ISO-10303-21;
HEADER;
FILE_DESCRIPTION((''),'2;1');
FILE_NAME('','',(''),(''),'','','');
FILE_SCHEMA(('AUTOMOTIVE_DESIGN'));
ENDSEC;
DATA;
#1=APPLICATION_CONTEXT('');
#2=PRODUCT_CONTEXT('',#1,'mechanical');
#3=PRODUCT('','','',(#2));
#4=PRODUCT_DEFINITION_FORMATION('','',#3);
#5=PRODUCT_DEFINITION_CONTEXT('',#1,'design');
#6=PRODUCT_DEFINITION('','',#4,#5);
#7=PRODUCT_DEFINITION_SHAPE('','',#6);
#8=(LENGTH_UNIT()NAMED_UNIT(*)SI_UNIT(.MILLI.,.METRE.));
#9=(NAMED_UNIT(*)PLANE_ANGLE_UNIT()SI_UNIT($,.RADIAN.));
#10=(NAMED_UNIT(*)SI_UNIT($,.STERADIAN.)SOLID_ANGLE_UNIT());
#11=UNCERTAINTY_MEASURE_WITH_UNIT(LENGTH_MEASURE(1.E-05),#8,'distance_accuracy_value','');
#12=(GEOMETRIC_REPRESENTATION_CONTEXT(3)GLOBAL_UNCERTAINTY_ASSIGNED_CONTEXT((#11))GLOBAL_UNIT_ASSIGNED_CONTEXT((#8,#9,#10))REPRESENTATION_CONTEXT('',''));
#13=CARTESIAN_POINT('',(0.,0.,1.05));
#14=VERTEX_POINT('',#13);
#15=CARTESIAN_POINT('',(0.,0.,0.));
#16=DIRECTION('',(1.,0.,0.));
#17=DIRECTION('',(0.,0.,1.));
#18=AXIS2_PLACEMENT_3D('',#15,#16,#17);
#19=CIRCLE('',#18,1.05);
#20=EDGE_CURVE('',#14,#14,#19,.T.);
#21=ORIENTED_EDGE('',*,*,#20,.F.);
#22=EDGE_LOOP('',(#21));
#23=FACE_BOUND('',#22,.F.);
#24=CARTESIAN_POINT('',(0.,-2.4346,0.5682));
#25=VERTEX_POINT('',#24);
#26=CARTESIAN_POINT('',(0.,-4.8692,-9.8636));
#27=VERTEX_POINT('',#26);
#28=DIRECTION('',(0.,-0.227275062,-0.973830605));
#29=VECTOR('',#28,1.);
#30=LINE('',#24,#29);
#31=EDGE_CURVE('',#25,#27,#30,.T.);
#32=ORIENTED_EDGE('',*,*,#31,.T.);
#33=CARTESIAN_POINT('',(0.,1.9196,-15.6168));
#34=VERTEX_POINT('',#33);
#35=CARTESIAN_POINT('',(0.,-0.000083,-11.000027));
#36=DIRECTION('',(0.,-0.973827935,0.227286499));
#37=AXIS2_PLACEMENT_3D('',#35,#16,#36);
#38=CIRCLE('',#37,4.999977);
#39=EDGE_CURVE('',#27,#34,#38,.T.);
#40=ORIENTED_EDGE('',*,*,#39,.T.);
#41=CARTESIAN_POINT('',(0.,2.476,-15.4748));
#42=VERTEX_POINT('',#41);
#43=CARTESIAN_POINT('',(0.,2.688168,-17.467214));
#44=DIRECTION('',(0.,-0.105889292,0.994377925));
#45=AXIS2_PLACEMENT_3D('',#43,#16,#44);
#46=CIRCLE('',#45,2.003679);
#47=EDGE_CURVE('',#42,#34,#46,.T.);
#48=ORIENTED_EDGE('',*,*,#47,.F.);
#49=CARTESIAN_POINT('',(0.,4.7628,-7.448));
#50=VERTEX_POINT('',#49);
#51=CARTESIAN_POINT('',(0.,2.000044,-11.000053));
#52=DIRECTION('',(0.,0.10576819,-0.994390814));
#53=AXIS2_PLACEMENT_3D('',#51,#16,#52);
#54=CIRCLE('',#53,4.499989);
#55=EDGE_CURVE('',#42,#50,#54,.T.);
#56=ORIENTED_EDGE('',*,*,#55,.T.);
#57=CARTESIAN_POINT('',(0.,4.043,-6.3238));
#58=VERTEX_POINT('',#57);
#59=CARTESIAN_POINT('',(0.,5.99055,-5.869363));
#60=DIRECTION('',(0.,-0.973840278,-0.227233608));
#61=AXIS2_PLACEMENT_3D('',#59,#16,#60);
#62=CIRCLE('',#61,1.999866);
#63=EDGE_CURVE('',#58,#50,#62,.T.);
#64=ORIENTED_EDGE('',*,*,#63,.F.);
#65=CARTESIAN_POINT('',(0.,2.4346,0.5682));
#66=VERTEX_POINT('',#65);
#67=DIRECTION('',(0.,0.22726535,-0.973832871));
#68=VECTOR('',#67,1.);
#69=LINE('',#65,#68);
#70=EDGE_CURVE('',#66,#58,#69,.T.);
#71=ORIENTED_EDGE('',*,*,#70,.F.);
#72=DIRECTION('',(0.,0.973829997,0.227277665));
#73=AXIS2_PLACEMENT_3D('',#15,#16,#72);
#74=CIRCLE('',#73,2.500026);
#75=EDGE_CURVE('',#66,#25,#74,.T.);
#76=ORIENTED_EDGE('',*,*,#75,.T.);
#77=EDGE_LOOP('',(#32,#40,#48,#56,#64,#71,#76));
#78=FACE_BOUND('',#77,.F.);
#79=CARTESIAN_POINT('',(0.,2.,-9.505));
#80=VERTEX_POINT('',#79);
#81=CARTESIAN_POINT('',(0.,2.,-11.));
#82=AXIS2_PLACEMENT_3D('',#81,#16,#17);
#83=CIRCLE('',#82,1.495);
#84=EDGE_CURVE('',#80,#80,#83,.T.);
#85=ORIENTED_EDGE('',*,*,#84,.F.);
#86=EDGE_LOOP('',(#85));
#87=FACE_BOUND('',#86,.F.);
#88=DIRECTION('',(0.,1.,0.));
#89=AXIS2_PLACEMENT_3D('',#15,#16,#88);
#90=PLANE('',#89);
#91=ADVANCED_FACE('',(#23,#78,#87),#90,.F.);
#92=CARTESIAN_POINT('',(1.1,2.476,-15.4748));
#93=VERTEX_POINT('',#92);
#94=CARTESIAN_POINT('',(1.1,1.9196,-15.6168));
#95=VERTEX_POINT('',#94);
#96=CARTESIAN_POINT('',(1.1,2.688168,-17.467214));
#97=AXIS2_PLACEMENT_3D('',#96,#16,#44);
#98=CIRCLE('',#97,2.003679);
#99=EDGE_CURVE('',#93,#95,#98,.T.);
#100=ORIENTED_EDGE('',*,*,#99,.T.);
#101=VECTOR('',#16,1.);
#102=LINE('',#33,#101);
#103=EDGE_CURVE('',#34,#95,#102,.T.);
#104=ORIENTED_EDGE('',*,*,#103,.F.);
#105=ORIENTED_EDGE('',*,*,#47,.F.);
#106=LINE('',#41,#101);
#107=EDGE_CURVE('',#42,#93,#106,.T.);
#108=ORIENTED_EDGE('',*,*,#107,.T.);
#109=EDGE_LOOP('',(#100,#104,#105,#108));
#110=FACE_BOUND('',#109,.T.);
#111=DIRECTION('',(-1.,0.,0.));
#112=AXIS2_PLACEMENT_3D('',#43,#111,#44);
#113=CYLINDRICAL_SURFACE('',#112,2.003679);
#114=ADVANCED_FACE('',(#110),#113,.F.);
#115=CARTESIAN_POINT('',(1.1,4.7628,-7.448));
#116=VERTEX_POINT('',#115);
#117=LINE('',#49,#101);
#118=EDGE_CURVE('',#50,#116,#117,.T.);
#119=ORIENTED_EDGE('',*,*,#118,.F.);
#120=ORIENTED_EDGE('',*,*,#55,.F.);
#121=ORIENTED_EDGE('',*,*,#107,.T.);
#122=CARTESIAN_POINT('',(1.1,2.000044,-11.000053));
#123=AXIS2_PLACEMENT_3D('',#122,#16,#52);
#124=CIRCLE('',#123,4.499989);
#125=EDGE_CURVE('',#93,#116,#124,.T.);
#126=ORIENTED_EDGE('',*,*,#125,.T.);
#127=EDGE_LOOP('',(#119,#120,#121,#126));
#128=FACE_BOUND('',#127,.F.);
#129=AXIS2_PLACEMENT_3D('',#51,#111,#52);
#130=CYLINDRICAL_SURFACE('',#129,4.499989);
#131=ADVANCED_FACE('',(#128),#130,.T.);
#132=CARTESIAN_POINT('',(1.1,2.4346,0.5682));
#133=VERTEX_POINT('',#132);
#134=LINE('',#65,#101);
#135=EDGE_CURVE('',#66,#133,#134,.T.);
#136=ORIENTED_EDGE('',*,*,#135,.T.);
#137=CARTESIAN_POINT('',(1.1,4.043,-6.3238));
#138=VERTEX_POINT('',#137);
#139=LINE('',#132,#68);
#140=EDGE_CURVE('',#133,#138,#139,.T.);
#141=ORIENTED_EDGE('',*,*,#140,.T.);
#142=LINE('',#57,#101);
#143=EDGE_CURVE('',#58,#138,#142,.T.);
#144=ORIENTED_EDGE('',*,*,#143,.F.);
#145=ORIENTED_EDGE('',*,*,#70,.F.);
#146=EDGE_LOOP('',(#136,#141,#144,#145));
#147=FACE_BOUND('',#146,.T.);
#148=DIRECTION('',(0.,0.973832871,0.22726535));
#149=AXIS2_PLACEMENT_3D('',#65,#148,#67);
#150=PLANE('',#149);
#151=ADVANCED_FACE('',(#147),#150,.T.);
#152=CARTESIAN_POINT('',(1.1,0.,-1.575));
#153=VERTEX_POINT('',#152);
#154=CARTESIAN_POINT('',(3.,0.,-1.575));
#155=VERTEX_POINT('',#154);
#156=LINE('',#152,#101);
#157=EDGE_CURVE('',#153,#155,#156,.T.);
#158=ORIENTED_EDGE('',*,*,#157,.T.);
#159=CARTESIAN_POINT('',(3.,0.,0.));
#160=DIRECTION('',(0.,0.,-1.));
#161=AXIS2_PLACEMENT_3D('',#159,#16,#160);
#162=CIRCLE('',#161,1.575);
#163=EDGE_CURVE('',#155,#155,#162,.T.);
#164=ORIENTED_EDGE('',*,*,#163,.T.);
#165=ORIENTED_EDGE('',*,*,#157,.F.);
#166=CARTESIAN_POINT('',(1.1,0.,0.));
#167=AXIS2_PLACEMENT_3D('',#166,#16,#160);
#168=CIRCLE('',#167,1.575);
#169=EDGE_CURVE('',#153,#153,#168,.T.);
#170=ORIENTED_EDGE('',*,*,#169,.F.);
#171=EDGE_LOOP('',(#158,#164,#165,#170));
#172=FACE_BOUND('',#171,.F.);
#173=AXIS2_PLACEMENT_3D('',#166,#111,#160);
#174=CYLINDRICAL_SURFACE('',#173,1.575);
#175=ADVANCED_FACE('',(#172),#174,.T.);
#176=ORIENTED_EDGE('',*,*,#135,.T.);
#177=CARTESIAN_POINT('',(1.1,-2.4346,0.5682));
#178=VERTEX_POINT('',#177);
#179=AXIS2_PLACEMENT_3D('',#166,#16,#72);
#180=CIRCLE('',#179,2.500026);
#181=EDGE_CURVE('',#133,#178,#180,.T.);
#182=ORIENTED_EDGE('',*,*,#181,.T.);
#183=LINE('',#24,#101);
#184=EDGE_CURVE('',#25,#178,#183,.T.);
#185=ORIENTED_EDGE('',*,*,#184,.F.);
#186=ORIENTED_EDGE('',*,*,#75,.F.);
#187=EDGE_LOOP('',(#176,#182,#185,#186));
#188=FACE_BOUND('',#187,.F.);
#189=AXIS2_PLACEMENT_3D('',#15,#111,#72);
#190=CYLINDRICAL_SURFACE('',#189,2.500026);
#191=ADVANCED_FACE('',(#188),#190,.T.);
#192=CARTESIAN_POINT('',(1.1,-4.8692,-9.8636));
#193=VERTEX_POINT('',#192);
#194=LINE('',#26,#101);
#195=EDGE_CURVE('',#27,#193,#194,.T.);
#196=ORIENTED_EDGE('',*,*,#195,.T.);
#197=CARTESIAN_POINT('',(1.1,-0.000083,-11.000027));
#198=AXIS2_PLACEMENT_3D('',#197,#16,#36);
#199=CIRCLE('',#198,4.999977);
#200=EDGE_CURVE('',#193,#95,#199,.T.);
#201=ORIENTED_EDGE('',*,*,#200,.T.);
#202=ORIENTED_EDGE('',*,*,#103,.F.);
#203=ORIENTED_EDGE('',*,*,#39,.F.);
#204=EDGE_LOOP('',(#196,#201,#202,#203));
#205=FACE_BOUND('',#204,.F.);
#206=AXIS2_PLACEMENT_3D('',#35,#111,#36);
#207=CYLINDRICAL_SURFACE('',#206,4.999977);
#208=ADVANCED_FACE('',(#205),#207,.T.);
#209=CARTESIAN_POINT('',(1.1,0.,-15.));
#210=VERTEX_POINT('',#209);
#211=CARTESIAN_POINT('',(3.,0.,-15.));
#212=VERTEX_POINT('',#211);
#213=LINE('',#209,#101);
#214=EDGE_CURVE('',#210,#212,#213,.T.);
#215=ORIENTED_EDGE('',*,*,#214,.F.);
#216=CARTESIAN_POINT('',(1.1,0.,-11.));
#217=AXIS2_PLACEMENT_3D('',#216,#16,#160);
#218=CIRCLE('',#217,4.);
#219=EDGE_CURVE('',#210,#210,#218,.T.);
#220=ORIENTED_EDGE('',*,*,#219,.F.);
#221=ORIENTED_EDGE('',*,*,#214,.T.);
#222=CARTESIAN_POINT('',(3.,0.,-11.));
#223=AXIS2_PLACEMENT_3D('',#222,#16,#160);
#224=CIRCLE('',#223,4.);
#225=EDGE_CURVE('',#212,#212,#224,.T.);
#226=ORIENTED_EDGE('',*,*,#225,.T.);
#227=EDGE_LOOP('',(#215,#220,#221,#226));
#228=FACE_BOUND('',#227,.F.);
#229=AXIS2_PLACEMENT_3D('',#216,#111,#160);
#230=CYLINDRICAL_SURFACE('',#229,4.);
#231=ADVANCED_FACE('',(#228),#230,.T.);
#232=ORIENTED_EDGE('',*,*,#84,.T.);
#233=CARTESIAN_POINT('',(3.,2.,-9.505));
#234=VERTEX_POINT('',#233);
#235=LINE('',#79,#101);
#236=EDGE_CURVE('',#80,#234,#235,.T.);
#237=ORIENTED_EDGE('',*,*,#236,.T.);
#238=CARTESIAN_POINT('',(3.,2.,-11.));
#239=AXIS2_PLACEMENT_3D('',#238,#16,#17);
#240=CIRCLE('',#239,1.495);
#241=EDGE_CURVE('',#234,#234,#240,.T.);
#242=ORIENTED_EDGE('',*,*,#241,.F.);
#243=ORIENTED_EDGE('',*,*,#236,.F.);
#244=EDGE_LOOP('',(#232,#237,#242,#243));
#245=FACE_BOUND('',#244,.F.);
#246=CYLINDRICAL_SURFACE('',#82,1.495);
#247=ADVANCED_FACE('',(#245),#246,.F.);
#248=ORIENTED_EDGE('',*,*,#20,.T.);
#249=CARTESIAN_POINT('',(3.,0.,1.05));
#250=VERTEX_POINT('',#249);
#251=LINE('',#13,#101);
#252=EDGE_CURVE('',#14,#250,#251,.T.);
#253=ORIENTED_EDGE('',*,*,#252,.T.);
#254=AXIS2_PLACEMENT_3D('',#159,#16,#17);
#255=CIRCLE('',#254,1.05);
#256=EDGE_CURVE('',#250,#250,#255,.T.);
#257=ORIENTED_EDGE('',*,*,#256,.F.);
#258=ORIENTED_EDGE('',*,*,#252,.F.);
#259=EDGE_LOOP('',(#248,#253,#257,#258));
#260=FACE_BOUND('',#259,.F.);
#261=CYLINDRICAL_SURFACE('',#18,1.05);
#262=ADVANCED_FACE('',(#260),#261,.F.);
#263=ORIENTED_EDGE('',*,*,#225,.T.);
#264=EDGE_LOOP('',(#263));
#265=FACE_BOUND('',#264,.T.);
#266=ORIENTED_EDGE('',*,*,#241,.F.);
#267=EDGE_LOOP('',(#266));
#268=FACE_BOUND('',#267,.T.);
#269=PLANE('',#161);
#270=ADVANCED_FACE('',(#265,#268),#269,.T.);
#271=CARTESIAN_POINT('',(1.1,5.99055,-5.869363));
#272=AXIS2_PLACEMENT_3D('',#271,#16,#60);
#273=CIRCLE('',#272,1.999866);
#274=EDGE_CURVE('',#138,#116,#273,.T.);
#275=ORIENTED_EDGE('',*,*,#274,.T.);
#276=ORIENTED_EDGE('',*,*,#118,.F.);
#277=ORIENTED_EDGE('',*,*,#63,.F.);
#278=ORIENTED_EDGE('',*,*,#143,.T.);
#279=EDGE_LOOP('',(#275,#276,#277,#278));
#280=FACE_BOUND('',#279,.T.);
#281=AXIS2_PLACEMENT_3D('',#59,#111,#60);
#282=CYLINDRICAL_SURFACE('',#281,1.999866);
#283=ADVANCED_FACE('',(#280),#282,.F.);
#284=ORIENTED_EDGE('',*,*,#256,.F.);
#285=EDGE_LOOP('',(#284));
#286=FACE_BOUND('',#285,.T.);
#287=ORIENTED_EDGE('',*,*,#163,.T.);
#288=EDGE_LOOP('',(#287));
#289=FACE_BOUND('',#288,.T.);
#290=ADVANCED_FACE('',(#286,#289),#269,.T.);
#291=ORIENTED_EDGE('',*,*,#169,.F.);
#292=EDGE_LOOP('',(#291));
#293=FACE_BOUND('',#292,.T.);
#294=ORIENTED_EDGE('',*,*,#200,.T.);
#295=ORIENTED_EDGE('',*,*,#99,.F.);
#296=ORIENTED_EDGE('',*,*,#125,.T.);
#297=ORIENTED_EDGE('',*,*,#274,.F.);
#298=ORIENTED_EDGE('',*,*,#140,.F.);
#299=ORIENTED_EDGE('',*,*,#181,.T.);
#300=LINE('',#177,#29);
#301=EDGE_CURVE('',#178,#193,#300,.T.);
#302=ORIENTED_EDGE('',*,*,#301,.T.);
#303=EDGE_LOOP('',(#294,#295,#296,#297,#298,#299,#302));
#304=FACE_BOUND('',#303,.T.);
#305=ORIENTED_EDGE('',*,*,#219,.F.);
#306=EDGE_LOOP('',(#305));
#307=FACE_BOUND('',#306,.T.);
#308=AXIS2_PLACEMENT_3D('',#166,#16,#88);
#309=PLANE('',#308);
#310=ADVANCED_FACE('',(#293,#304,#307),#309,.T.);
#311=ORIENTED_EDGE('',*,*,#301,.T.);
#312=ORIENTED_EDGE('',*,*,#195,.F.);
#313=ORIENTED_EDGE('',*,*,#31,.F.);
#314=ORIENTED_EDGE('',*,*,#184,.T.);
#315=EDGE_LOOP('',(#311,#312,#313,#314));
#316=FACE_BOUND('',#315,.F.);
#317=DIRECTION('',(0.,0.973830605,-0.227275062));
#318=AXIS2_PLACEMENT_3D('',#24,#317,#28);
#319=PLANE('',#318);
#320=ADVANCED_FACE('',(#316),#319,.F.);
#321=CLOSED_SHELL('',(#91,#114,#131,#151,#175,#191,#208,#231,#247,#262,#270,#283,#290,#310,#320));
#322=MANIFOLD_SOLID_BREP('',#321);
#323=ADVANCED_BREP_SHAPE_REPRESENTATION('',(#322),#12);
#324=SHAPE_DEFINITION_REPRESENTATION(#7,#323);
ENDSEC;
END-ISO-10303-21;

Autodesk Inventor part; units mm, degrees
ref_plane "YZ Plane" through (0, 0, 0) normal (1, 0, 0) x (0, 1, 0)
ref_plane "XZ Plane" through (0, 0, 0) normal (0, 1, 0) x (-1, 0, 0)
ref_plane "XY Plane" through (0, 0, 0) normal (0, 0, 1) x (1, 0, 0)
sketch "スケッチ1" plane through (0, 0, 0) normal (1, 0, 0) x (0, 1, 0)
  line L0 (0, 0) -> (0, -11) construction
  arc A0 (2.4346, 0.5682) -> (-2.4346, 0.5682) centre (0, 0) ccw
  circle A1 centre (0, -11) radius 4 construction
  line L1 (-2.4346, 0.5682) -> (-4.8692, -9.8636)
  arc A2 (0, -2.5) -> (2.4346, 0.5682) centre (0, 0) ccw construction
  arc A3 (-2.4346, 0.5682) -> (0, -2.5) centre (0, 0) ccw construction
  arc A4 (-4.8692, -9.8636) -> (1.9196, -15.6168) centre (0, -11) ccw
  arc A5 (-0.8211, -15.9321) -> (2.1875, -15.4961) centre (0, -11) ccw construction
  line L2 (2.4346, 0.5682) -> (4.043, -6.3238)
  arc A6 (2.476, -15.4748) -> (4.7628, -7.448) centre (2, -11) ccw
  line L3 (0, -11) -> (2, -11) construction
  arc A7 (0, -6) -> (-4.8692, -9.8636) centre (0, -11) ccw construction
  arc A8 (4.043, -6.3238) -> (4.7628, -7.448) centre (5.9907, -5.8693) ccw
  arc A9 (2.476, -15.4748) -> (1.9196, -15.6168) centre (2.6875, -17.4635) ccw
  point P0 (4.221, -7.0863)
  dimension "d1" = 11
  dimension "d2" = 8
  dimension "d4" = 2.5
  dimension "d39" = 5
  dimension "d54" = 2
  dimension "d55" = 4.5
  dimension "d56" = 2
extrude "押し出し1" add sketch "スケッチ1" along normal blind 1.1
sketch "スケッチ2" plane through (1.1, 0, 0) normal (1, 0, 0) x (0, 0, -1)
  circle A0 centre (0, 0) radius 1.575
  circle A1 centre (11, 0) radius 4
  line L0 (0, 0) -> (11, 0) construction
  arc A2 (9.8636, -4.8692) -> (15.6168, 1.9196) centre (11, 0) ccw construction
  point P0 (8.75, 4.8412)
  dimension "d12" = 3.15
  dimension "d13" = 8
extrude "押し出し2" add sketch "スケッチ2" along normal blind 1.9
sketch "スケッチ3" plane through (1.1, 0, 0) normal (1, 0, 0) x (0, 0, -1)
  point P0 (0, 0)
sketch "スケッチ4" plane through (0, 0, 0) normal (-1, 0, 0) x (0, 0, 1)
  arc A0 (0.5682, -2.4346) -> (0.5682, 2.4346) centre (0, 0) ccw construction
  arc A1 (-15.6168, 1.9196) -> (-9.8636, -4.8692) centre (-11, 0) ccw construction
  line L0 (-11, 0) -> (-11, 2) construction
  dimension "d53" = 2
hole "穴3" at (0, 0, 0) direction (1, 0, 0) diameter 2.1 end through all clearance for "Countersunk Flat Head Screw ISO 2009/7046" size "M2" standard "ISO"
hole "穴4" at (0, 2, -11) direction (1, 0, 0) diameter 2.99 end through all
properties part number "UPPER_LEG_BELT_TENSIONER"
